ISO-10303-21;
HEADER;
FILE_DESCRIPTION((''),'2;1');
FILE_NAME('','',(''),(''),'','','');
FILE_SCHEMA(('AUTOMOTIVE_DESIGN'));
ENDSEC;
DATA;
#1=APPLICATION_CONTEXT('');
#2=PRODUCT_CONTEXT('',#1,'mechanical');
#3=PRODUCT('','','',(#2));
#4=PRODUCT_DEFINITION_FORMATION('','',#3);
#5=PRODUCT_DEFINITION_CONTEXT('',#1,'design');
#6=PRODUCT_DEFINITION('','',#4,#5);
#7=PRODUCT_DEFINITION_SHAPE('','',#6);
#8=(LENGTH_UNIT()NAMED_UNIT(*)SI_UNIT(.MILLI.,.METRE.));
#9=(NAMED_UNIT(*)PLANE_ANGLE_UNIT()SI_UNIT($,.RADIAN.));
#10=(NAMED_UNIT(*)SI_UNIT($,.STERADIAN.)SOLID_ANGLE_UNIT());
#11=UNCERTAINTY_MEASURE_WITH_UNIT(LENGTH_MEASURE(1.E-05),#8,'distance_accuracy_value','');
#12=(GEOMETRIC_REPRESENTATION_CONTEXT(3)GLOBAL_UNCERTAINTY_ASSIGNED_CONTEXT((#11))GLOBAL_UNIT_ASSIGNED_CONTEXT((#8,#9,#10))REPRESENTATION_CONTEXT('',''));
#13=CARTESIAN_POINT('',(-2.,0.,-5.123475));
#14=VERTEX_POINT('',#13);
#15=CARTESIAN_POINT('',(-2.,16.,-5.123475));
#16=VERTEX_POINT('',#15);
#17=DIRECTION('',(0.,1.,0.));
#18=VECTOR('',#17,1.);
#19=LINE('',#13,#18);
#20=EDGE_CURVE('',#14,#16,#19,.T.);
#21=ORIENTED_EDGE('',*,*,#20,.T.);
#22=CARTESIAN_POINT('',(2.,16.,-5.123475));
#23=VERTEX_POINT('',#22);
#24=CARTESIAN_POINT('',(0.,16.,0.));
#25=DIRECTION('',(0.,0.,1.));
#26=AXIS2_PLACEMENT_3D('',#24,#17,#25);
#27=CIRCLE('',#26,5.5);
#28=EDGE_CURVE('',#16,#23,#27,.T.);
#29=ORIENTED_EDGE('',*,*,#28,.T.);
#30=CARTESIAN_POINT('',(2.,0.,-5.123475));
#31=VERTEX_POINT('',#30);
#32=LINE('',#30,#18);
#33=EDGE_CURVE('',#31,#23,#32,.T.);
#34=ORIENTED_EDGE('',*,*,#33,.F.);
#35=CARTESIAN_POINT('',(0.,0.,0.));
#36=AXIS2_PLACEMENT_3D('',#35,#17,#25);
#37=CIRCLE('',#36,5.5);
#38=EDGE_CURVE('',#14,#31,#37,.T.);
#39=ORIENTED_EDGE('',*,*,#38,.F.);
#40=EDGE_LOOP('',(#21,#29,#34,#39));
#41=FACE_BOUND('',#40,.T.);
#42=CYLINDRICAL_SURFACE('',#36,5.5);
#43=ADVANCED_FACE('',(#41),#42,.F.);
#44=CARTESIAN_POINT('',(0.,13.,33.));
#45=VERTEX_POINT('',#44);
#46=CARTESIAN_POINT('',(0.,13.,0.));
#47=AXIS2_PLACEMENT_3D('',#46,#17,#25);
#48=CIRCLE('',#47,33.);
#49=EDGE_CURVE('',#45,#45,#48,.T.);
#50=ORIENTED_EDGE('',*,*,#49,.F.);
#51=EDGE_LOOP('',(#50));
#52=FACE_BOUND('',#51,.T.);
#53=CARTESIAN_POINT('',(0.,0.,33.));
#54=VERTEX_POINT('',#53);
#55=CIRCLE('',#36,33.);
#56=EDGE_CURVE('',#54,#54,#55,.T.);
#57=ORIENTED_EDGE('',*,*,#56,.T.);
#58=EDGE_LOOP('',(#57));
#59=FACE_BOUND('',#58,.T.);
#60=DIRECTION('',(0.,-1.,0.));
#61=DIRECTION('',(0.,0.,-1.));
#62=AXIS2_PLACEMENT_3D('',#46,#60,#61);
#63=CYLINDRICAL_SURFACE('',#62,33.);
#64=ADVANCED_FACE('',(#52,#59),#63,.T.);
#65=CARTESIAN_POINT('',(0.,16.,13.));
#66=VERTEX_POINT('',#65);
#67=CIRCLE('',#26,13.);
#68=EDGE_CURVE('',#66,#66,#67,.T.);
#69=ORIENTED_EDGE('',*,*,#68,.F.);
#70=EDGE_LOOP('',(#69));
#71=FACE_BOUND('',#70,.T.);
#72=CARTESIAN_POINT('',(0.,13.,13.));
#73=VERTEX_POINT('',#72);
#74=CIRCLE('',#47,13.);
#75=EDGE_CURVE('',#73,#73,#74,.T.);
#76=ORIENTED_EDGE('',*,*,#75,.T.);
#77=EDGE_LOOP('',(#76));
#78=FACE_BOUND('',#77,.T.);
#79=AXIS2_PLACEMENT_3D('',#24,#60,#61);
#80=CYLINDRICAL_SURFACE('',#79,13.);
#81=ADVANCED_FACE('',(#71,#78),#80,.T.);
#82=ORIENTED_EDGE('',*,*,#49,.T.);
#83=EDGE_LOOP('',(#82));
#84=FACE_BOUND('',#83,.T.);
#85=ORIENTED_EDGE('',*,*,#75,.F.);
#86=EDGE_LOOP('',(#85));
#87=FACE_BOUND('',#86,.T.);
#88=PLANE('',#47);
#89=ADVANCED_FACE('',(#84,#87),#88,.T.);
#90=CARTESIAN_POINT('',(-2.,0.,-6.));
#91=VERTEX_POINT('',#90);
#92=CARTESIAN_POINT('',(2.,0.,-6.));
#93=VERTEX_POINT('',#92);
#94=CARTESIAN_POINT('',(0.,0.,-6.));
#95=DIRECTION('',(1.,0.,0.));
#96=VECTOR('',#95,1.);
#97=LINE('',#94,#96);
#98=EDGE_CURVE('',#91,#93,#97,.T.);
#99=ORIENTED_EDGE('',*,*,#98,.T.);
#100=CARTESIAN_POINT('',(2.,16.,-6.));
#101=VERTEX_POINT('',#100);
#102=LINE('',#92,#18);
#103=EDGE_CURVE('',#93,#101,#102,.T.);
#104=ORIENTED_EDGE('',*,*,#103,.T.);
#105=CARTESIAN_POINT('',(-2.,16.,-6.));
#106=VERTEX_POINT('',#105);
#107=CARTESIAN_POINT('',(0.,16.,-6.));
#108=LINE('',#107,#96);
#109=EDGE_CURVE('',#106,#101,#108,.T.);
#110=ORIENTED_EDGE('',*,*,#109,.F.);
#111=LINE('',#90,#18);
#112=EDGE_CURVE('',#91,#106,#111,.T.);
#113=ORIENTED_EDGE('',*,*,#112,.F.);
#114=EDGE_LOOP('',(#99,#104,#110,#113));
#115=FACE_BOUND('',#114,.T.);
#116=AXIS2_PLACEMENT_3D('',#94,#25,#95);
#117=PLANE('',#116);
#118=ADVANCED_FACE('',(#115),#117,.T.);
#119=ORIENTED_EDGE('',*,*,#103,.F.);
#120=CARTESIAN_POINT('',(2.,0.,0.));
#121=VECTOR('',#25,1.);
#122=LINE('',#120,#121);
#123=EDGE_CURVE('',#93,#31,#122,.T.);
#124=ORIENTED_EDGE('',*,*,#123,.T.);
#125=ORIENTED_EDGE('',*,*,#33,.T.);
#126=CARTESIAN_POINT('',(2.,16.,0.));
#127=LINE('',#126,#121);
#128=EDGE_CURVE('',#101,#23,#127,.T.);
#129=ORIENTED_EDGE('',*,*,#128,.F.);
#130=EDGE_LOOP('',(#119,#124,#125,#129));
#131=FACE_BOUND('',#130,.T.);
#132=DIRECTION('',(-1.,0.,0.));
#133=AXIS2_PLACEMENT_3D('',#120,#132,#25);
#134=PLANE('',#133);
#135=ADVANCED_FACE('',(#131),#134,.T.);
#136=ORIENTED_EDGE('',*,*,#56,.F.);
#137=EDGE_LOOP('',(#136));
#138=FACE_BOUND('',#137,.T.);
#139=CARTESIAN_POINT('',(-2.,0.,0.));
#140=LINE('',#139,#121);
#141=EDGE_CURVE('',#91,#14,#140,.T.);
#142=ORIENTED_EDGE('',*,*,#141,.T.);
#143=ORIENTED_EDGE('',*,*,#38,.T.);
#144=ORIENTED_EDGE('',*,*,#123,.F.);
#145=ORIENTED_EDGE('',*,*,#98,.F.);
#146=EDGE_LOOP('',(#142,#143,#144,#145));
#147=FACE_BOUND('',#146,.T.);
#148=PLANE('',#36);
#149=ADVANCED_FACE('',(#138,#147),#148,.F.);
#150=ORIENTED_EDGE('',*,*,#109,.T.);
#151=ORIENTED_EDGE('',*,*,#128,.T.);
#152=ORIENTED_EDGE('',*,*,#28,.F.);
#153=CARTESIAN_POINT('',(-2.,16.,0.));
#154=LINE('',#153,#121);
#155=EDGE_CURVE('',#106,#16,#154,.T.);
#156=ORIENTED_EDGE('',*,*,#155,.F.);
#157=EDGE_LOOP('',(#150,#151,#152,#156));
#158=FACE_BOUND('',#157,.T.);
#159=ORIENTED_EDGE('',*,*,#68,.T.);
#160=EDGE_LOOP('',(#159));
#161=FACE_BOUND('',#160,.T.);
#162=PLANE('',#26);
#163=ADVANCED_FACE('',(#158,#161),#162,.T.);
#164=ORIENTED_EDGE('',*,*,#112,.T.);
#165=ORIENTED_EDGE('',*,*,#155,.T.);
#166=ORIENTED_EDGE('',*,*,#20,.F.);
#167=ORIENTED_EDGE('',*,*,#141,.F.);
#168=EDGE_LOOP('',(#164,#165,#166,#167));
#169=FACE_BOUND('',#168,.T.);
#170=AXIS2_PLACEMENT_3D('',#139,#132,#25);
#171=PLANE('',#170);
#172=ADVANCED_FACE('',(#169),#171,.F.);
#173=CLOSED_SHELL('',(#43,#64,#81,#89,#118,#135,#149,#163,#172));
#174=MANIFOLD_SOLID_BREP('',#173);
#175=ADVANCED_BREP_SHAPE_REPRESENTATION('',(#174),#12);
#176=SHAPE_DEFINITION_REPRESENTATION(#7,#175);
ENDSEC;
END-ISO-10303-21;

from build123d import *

# Parameters (mm, degrees)
SKETCH1_R               = 33
BOSS_EXTRUDE1_DEPTH     = 13
SKETCH2_R               = 13
BOSS_EXTRUDE2_DEPTH     = 3
CUT_EXTRUDE1_DEPTH      = 1
CUT_EXTRUDE1_DEPTH_BACK = 17


with BuildPart() as part:
    # Sketch1 → Boss-Extrude1 (new body)
    with BuildSketch(Plane(origin=(0, 0, 0), x_dir=(1, 0, 0), z_dir=(0, 1, 0))):
        Circle(SKETCH1_R)
    extrude(amount=BOSS_EXTRUDE1_DEPTH)

    # Sketch2 → Boss-Extrude2 (add)
    with BuildSketch(Plane(origin=(0, 13, 0), x_dir=(1, 0, 0), z_dir=(0, 1, 0))):
        Circle(SKETCH2_R)
    extrude(amount=BOSS_EXTRUDE2_DEPTH)

    # Sketch3 → Cut-Extrude1 (cut, two sides)
    with BuildSketch(Plane(origin=(0, 16, 0), x_dir=(1, 0, 0), z_dir=(0, 1, 0))) as cut_extrude1_sk:
        with BuildLine():
            ThreePointArc((2, 5.123475383), (0, 5.5), (-2, 5.123475383))
            Line((-2, 5.123475383), (-2, 5))
            Line((-2, 5), (2, 5))
            Line((2, 5), (2, 5.123475383))
        make_face()
        with BuildLine():
            Line((-2, 5), (-2, 5.123475383))
            ThreePointArc((-2, 5.123475383), (-3.102418411, -4.541475531), (5.5, 0))
            ThreePointArc((5.5, 0), (4.541475531, 3.102418411), (2, 5.123475383))
            Line((2, 5.123475383), (2, 5))
            Line((2, 5), (-2, 5))
        make_face()
        with BuildLine():
            Line((2, 6), (-2, 6))
            Line((-2, 6), (-2, 5.123475383))
            ThreePointArc((-2, 5.123475383), (0, 5.5), (2, 5.123475383))
            Line((2, 5.123475383), (2, 6))
        make_face()
    extrude(amount=CUT_EXTRUDE1_DEPTH, mode=Mode.SUBTRACT)
    extrude(cut_extrude1_sk.sketch, amount=-CUT_EXTRUDE1_DEPTH_BACK, mode=Mode.SUBTRACT)


solid = part.part
